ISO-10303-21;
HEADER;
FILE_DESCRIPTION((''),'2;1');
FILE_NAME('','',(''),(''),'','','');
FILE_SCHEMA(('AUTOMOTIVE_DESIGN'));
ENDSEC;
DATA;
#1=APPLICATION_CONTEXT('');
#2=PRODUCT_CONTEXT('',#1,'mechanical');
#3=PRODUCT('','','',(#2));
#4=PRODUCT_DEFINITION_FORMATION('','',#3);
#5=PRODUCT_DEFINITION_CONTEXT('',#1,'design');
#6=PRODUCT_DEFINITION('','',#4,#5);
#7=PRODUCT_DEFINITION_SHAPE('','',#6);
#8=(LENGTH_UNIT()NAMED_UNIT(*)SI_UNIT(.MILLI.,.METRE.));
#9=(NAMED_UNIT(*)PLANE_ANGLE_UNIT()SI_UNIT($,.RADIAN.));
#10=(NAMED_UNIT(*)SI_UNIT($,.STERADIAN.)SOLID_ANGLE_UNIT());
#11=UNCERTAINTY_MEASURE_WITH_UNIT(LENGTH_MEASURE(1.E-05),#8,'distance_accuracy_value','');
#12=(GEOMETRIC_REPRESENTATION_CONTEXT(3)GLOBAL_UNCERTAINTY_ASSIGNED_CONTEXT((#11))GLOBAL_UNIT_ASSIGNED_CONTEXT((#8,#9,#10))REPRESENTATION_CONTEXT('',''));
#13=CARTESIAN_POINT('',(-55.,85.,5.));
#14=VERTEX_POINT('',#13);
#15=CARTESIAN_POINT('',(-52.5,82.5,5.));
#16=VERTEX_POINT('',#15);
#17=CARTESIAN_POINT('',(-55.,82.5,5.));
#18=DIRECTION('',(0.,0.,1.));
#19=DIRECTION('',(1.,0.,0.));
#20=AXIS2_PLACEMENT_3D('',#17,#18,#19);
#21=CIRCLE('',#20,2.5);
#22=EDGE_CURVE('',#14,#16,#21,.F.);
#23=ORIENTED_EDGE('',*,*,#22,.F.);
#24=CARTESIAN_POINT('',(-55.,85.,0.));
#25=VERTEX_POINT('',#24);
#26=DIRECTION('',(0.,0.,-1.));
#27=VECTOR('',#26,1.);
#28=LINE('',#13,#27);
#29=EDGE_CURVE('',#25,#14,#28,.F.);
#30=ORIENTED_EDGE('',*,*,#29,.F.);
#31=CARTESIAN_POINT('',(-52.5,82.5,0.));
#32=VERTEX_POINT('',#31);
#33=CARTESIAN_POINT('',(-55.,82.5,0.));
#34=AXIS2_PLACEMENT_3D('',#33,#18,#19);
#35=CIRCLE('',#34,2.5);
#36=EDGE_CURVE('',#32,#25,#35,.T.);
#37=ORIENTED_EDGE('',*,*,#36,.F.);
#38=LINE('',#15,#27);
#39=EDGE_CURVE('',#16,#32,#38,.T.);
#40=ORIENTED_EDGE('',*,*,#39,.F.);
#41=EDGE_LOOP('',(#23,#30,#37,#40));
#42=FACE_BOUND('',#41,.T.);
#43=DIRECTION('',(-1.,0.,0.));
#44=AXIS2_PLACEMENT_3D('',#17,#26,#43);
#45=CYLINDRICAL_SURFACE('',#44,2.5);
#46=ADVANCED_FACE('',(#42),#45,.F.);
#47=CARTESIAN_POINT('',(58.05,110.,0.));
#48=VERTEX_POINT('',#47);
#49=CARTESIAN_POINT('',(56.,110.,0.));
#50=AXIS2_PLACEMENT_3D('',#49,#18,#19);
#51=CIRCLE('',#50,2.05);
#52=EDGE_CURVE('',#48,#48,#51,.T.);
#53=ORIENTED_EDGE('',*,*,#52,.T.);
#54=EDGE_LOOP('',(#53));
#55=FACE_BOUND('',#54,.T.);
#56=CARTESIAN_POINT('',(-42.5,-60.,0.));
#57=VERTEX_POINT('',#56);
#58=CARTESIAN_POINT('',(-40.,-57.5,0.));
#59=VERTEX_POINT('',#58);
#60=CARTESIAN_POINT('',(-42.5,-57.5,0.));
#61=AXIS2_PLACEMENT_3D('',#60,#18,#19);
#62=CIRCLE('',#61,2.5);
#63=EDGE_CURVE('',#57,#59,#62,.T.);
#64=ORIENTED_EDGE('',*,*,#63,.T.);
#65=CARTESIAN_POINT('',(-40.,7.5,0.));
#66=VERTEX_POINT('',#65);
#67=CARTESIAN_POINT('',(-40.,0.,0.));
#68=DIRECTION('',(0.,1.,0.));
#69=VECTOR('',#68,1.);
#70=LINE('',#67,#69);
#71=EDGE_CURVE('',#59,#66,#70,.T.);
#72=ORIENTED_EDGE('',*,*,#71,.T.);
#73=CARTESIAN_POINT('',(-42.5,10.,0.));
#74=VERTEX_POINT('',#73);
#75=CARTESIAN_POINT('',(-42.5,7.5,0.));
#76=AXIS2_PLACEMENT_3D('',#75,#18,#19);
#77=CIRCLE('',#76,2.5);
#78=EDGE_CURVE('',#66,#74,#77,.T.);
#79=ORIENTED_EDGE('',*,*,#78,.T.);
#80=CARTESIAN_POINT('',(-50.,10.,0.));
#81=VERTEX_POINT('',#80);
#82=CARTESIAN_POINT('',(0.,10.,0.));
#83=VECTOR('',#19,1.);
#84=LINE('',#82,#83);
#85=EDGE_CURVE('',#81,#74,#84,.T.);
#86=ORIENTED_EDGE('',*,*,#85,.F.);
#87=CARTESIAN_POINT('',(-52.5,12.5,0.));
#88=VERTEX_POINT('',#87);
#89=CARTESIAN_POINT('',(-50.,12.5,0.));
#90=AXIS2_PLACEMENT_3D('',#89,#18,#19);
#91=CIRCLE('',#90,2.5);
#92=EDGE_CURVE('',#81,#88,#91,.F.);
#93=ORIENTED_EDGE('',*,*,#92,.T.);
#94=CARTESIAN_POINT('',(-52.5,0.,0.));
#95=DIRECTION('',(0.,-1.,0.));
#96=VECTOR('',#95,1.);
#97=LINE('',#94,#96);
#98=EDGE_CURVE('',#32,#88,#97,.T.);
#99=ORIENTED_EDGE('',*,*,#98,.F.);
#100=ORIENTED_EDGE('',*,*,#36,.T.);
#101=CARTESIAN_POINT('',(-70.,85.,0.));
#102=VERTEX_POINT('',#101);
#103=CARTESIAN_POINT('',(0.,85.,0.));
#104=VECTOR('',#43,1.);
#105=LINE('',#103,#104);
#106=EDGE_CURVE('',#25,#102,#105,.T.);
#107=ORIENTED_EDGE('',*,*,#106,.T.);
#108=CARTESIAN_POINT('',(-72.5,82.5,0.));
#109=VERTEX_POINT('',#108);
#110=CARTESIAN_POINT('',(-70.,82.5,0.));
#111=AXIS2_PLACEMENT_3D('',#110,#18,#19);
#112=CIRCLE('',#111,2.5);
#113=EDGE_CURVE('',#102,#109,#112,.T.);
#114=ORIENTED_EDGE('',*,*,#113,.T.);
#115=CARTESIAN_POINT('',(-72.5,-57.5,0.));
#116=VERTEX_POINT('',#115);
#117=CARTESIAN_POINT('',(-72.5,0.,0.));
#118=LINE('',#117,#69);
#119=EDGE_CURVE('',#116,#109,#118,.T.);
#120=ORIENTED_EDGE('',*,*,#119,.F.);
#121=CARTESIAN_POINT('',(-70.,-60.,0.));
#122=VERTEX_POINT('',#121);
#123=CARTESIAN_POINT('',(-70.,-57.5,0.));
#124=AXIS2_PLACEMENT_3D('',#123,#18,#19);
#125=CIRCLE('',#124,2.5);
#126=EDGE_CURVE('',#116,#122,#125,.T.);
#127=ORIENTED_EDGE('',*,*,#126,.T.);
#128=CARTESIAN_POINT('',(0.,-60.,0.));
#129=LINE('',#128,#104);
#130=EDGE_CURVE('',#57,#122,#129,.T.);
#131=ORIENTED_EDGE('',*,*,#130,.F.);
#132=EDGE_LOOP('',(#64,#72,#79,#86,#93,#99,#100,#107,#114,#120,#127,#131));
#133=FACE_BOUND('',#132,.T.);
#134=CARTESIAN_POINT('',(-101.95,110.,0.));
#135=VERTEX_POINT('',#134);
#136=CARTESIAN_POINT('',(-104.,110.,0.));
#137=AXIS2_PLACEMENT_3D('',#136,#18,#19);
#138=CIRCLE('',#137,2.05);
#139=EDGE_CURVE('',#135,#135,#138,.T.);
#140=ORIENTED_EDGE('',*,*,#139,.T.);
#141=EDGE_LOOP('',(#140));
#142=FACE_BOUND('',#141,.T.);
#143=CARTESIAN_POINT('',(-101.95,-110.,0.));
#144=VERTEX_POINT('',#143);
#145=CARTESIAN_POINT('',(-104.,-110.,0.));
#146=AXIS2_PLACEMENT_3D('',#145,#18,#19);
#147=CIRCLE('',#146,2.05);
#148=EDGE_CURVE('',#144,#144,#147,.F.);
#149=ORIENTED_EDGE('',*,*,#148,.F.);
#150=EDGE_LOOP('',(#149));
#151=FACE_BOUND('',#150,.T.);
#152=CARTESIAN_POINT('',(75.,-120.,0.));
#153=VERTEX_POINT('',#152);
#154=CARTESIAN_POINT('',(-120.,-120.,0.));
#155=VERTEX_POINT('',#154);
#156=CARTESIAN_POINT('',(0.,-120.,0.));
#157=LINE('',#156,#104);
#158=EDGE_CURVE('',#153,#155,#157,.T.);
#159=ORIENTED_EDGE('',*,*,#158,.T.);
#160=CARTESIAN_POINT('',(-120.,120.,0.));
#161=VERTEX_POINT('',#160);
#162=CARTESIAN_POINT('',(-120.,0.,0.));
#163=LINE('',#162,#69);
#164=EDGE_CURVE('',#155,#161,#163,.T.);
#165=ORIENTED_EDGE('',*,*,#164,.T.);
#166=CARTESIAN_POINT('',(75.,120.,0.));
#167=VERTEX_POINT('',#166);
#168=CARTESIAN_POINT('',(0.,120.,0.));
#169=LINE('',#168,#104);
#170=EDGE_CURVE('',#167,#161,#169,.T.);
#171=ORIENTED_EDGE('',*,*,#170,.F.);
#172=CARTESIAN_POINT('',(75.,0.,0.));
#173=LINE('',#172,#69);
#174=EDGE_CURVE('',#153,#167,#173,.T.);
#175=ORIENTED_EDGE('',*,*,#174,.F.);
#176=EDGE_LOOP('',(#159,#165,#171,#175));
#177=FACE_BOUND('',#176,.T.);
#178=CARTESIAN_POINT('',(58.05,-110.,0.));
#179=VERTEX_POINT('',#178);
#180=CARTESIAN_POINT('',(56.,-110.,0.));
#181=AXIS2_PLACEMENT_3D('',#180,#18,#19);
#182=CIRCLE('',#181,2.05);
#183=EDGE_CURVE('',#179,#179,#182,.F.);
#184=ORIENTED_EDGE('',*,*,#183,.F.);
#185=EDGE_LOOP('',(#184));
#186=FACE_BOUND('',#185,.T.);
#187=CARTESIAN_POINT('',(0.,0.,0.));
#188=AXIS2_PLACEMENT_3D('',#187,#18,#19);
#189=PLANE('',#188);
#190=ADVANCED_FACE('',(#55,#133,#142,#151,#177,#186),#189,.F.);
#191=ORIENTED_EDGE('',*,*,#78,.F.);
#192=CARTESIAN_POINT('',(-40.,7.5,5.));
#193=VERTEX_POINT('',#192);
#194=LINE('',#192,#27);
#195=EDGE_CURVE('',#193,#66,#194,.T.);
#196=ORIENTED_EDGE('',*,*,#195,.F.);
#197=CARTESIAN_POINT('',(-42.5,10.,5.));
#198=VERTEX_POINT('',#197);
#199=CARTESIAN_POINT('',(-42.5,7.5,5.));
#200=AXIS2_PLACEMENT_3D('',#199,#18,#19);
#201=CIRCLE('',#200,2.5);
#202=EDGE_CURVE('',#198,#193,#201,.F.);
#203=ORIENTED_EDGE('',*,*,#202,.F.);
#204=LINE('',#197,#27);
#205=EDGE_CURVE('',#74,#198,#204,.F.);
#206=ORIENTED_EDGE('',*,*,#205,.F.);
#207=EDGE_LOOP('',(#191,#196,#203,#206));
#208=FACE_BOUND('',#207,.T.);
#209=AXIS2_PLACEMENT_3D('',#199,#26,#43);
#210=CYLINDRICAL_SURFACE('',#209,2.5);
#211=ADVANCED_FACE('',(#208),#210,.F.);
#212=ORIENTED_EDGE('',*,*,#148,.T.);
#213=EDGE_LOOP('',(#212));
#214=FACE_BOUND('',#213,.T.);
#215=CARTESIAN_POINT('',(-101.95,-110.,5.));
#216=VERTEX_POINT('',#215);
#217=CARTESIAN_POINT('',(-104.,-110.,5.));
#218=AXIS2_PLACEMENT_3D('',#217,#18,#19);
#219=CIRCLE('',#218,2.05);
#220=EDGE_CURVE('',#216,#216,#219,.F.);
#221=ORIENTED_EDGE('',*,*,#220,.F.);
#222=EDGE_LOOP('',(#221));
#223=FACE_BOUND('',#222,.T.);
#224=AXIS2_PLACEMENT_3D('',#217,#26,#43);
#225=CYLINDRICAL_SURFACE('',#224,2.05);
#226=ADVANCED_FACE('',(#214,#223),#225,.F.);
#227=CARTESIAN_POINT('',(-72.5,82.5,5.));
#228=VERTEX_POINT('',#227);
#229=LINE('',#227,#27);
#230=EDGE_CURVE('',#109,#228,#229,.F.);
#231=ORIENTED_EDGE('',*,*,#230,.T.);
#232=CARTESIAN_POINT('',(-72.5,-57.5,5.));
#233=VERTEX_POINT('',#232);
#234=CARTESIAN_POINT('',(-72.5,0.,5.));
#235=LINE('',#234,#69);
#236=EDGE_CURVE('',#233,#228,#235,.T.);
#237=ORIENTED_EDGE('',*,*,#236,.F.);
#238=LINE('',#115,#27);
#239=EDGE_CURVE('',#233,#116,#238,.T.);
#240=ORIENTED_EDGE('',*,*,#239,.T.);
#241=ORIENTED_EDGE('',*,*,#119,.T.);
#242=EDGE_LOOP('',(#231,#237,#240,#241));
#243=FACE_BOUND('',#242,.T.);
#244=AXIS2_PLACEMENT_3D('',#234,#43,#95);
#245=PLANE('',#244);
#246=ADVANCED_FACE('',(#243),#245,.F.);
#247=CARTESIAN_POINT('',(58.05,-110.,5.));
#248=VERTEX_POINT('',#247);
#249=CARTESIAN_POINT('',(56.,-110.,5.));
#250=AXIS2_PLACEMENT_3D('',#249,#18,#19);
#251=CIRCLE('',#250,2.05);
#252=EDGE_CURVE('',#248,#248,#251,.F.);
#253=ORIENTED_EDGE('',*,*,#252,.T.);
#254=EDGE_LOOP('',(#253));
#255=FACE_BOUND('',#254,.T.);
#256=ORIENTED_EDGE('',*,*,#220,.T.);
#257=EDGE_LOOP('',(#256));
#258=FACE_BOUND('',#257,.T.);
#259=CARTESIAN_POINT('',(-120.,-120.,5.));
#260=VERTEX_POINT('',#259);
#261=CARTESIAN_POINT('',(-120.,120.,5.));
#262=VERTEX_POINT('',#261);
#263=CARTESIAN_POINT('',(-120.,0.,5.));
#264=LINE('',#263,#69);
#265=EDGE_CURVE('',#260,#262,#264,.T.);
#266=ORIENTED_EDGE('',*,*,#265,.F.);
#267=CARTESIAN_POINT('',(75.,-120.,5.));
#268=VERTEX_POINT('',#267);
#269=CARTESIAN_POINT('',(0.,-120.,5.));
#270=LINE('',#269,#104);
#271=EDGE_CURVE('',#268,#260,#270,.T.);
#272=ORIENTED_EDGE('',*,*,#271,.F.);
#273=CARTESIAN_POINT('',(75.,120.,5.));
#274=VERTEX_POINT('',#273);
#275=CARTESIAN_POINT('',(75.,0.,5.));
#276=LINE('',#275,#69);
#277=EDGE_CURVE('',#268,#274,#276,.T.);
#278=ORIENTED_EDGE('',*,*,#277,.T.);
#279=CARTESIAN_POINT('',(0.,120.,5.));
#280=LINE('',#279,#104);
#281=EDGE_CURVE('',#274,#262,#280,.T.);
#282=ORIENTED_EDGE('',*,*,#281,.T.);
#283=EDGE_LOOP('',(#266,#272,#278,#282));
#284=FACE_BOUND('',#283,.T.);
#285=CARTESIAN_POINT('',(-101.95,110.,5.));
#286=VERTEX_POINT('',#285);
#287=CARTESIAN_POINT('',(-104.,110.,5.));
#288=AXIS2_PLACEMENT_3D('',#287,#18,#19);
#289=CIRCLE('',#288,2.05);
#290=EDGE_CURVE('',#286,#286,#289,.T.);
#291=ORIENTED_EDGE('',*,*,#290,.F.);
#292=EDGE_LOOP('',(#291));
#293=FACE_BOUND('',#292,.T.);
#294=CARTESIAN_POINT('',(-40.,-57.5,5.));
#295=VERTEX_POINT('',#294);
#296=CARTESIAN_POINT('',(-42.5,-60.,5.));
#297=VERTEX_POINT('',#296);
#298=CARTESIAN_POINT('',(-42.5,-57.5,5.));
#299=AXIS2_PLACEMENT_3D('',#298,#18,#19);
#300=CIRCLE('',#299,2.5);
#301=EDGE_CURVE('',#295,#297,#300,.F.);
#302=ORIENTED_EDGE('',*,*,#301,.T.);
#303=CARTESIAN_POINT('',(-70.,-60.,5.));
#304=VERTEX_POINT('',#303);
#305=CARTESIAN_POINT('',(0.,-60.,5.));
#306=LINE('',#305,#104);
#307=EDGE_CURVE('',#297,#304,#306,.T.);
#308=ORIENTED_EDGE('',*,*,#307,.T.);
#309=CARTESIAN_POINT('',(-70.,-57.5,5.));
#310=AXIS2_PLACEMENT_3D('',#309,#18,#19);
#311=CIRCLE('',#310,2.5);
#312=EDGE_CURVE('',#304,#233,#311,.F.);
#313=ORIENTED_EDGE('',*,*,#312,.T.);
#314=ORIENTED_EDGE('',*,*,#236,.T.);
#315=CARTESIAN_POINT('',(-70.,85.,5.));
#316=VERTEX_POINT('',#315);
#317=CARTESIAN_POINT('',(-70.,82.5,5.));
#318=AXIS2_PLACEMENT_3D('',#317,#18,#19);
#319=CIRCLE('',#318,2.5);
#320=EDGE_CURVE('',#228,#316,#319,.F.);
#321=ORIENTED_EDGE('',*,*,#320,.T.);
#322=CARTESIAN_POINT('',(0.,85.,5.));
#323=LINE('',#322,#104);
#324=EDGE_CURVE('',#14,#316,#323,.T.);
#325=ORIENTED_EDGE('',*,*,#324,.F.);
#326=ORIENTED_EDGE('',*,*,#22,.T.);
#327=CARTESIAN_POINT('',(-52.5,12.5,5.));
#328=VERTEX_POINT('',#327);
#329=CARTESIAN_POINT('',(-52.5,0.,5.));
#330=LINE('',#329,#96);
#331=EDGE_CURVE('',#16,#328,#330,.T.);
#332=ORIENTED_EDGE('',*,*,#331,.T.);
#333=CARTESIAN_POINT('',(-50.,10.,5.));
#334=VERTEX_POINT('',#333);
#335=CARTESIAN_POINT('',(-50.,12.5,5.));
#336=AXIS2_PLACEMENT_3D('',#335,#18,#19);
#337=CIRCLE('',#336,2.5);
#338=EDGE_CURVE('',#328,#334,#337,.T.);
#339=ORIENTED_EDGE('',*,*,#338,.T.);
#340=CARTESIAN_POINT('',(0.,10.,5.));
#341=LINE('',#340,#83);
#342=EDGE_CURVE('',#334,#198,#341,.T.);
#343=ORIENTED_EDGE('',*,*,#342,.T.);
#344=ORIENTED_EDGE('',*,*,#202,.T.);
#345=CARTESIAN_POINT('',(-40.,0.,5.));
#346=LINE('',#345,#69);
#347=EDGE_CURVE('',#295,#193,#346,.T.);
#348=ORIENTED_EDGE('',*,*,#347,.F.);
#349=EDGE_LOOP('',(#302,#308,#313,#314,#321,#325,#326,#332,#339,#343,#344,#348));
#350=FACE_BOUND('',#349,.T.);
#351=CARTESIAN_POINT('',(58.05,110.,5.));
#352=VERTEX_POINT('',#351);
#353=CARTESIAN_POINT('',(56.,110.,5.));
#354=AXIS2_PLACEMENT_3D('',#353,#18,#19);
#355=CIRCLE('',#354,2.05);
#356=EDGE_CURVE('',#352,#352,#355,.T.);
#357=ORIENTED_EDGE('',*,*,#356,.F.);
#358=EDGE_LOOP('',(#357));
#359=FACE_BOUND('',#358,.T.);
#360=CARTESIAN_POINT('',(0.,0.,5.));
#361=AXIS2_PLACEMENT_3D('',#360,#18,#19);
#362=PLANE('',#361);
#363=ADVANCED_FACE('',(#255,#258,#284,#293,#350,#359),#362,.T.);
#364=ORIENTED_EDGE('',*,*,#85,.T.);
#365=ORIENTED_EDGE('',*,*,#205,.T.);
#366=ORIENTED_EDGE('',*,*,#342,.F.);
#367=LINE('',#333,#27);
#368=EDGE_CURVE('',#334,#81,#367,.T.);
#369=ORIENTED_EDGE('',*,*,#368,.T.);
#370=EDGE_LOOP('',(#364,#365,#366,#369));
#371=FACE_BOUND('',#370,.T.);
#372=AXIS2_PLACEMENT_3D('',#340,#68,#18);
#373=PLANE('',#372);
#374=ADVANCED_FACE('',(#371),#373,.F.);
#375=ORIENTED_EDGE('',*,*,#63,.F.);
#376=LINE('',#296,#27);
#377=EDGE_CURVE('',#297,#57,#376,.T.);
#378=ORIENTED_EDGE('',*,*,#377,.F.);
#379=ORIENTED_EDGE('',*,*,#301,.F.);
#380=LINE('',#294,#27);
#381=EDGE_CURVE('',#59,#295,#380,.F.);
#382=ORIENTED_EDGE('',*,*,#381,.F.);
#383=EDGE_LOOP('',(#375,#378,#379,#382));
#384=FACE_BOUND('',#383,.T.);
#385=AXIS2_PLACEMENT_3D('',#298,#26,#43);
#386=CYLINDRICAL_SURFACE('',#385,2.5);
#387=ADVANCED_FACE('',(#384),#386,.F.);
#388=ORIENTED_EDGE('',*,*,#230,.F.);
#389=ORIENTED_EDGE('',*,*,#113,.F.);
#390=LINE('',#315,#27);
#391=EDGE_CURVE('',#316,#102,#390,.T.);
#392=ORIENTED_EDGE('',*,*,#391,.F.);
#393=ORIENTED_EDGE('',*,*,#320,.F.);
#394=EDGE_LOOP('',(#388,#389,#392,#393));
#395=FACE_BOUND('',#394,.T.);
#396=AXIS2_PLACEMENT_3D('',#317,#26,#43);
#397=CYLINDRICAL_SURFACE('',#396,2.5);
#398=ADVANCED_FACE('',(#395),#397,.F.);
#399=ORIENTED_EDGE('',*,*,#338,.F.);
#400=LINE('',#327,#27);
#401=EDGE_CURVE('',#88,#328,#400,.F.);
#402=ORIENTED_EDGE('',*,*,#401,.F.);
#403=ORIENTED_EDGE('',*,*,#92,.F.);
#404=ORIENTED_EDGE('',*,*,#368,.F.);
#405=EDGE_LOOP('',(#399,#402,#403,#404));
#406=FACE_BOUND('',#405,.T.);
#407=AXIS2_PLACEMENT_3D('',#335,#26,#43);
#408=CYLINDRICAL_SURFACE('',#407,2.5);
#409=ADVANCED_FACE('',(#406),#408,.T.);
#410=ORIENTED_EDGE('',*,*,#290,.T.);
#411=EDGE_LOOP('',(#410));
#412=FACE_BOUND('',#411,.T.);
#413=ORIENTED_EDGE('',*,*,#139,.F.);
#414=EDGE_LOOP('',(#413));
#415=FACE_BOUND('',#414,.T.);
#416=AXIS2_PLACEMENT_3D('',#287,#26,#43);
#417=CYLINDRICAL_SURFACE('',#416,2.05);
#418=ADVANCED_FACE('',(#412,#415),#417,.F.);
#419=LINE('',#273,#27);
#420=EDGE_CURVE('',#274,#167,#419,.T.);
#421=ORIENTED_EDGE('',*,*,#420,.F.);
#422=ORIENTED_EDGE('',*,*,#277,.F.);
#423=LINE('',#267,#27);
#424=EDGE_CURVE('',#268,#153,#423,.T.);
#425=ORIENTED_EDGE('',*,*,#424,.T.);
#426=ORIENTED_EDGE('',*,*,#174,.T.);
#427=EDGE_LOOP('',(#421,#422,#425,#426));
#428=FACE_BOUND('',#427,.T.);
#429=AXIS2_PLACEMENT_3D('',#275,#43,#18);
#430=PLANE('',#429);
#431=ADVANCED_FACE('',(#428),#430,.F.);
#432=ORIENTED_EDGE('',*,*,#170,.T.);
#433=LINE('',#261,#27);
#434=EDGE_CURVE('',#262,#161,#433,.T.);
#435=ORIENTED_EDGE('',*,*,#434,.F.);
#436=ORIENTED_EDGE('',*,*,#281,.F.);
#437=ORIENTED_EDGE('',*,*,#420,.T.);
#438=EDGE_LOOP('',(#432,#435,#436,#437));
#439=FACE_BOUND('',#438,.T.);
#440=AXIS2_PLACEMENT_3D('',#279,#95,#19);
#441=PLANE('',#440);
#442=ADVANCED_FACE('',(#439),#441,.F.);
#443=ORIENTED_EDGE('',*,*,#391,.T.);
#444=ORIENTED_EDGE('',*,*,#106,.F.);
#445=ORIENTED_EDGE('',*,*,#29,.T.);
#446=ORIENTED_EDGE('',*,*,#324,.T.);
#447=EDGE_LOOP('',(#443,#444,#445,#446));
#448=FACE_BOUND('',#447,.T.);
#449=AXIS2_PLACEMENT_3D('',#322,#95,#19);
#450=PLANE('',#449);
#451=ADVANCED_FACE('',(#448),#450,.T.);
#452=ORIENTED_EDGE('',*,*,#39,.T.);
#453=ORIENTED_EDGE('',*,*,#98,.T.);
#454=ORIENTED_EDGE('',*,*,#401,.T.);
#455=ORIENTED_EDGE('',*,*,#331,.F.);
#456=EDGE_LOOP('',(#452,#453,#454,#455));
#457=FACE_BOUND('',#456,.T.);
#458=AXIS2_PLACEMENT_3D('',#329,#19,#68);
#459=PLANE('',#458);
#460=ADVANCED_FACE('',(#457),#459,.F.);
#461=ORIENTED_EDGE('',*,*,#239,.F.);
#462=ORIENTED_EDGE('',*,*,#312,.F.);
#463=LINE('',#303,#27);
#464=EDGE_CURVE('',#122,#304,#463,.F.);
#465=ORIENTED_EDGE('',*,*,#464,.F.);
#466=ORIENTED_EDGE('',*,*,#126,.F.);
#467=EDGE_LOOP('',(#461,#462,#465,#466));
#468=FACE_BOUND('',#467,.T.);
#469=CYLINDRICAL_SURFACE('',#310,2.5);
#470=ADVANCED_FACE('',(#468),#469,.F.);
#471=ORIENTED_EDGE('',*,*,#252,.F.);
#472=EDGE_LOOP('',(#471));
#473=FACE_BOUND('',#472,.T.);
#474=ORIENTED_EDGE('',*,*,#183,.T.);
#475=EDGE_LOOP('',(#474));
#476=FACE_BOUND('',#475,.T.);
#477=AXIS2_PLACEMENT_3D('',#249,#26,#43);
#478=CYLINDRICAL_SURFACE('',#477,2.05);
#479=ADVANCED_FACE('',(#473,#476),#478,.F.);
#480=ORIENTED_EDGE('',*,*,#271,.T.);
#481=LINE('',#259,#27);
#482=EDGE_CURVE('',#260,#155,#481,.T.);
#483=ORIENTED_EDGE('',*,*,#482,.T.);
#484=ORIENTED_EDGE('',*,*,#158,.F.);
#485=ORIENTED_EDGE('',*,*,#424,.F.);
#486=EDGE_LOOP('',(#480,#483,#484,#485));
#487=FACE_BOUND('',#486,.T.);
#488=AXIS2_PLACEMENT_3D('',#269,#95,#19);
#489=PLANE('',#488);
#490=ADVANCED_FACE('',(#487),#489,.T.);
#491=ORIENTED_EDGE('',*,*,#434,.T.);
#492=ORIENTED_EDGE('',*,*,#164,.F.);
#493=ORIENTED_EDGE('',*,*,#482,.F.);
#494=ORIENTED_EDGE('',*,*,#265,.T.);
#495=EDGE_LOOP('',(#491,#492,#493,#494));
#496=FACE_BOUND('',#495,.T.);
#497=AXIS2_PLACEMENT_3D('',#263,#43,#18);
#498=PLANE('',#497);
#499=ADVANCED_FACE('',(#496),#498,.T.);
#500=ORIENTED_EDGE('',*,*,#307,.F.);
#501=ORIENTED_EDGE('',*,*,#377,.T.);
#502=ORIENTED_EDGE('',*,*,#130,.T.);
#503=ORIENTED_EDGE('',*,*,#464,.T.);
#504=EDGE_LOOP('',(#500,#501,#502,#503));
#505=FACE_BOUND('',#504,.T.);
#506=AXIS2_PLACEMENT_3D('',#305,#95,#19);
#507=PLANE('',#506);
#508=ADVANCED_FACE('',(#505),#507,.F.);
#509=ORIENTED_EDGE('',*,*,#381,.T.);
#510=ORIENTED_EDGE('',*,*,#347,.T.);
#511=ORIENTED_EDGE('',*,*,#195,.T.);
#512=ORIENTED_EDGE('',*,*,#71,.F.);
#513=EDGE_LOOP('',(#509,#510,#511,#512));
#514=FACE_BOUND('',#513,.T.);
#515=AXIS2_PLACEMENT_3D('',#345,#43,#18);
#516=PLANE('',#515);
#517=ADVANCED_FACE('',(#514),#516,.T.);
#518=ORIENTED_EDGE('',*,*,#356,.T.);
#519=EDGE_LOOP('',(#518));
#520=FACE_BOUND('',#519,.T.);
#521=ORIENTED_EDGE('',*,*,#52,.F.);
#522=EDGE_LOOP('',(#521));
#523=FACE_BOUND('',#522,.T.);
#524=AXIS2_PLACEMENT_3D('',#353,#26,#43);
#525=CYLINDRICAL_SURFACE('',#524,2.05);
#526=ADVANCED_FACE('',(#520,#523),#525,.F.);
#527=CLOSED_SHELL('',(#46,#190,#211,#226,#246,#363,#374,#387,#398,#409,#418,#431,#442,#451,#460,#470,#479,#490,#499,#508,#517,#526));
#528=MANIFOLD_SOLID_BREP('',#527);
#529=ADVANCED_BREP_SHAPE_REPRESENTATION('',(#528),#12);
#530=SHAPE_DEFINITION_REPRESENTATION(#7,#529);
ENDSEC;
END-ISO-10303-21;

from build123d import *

# Parameters (mm, degrees)
ESQUISSE1_W        = 195
ESQUISSE1_H        = 240
ESQUISSE1_R        = 2.05
ESQUISSE1_W_2      = 32.5
ESQUISSE1_H_2      = 145
ESQUISSE1_W_3      = 12.5
ESQUISSE1_H_3      = 75
BOSS_EXTRU_1_DEPTH = 5
CONG_1_R           = 2.5


with BuildPart() as part:
    # Esquisse1 → Boss.-Extru.1 (new body)
    # profile 1 of 2: a face of its own
    with BuildSketch(Plane.XY):
        with Locations((-22.5, 0)):
            Rectangle(ESQUISSE1_W, ESQUISSE1_H)
        with Locations((56, -110)):
            Circle(ESQUISSE1_R, mode=Mode.SUBTRACT)
        with Locations((56, 110)):
            Circle(ESQUISSE1_R, mode=Mode.SUBTRACT)
        with Locations((-104, 110)):
            Circle(ESQUISSE1_R, mode=Mode.SUBTRACT)
        with Locations((-104, -110)):
            Circle(ESQUISSE1_R, mode=Mode.SUBTRACT)
        with Locations((-56.25, 12.5)):
            Rectangle(ESQUISSE1_W_2, ESQUISSE1_H_2, mode=Mode.SUBTRACT)
    # profile 2 of 2: a face of its own
    with BuildSketch(Plane.XY):
        with Locations((-46.25, 47.5)):
            Rectangle(ESQUISSE1_W_3, ESQUISSE1_H_3)
    extrude(amount=BOSS_EXTRU_1_DEPTH)

    # Congé1
    cong_1_edges = [part.edges().sort_by_distance(p)[0] for p in [
        (-72.5, 85, 2.5),
        (-72.5, -60, 2.5),
        (-40, -60, 2.5),
        (-40, 10, 2.5),
        (-52.5, 10, 2.5),
        (-52.5, 85, 2.5),
    ]]
    fillet(cong_1_edges, radius=CONG_1_R)


solid = part.part
